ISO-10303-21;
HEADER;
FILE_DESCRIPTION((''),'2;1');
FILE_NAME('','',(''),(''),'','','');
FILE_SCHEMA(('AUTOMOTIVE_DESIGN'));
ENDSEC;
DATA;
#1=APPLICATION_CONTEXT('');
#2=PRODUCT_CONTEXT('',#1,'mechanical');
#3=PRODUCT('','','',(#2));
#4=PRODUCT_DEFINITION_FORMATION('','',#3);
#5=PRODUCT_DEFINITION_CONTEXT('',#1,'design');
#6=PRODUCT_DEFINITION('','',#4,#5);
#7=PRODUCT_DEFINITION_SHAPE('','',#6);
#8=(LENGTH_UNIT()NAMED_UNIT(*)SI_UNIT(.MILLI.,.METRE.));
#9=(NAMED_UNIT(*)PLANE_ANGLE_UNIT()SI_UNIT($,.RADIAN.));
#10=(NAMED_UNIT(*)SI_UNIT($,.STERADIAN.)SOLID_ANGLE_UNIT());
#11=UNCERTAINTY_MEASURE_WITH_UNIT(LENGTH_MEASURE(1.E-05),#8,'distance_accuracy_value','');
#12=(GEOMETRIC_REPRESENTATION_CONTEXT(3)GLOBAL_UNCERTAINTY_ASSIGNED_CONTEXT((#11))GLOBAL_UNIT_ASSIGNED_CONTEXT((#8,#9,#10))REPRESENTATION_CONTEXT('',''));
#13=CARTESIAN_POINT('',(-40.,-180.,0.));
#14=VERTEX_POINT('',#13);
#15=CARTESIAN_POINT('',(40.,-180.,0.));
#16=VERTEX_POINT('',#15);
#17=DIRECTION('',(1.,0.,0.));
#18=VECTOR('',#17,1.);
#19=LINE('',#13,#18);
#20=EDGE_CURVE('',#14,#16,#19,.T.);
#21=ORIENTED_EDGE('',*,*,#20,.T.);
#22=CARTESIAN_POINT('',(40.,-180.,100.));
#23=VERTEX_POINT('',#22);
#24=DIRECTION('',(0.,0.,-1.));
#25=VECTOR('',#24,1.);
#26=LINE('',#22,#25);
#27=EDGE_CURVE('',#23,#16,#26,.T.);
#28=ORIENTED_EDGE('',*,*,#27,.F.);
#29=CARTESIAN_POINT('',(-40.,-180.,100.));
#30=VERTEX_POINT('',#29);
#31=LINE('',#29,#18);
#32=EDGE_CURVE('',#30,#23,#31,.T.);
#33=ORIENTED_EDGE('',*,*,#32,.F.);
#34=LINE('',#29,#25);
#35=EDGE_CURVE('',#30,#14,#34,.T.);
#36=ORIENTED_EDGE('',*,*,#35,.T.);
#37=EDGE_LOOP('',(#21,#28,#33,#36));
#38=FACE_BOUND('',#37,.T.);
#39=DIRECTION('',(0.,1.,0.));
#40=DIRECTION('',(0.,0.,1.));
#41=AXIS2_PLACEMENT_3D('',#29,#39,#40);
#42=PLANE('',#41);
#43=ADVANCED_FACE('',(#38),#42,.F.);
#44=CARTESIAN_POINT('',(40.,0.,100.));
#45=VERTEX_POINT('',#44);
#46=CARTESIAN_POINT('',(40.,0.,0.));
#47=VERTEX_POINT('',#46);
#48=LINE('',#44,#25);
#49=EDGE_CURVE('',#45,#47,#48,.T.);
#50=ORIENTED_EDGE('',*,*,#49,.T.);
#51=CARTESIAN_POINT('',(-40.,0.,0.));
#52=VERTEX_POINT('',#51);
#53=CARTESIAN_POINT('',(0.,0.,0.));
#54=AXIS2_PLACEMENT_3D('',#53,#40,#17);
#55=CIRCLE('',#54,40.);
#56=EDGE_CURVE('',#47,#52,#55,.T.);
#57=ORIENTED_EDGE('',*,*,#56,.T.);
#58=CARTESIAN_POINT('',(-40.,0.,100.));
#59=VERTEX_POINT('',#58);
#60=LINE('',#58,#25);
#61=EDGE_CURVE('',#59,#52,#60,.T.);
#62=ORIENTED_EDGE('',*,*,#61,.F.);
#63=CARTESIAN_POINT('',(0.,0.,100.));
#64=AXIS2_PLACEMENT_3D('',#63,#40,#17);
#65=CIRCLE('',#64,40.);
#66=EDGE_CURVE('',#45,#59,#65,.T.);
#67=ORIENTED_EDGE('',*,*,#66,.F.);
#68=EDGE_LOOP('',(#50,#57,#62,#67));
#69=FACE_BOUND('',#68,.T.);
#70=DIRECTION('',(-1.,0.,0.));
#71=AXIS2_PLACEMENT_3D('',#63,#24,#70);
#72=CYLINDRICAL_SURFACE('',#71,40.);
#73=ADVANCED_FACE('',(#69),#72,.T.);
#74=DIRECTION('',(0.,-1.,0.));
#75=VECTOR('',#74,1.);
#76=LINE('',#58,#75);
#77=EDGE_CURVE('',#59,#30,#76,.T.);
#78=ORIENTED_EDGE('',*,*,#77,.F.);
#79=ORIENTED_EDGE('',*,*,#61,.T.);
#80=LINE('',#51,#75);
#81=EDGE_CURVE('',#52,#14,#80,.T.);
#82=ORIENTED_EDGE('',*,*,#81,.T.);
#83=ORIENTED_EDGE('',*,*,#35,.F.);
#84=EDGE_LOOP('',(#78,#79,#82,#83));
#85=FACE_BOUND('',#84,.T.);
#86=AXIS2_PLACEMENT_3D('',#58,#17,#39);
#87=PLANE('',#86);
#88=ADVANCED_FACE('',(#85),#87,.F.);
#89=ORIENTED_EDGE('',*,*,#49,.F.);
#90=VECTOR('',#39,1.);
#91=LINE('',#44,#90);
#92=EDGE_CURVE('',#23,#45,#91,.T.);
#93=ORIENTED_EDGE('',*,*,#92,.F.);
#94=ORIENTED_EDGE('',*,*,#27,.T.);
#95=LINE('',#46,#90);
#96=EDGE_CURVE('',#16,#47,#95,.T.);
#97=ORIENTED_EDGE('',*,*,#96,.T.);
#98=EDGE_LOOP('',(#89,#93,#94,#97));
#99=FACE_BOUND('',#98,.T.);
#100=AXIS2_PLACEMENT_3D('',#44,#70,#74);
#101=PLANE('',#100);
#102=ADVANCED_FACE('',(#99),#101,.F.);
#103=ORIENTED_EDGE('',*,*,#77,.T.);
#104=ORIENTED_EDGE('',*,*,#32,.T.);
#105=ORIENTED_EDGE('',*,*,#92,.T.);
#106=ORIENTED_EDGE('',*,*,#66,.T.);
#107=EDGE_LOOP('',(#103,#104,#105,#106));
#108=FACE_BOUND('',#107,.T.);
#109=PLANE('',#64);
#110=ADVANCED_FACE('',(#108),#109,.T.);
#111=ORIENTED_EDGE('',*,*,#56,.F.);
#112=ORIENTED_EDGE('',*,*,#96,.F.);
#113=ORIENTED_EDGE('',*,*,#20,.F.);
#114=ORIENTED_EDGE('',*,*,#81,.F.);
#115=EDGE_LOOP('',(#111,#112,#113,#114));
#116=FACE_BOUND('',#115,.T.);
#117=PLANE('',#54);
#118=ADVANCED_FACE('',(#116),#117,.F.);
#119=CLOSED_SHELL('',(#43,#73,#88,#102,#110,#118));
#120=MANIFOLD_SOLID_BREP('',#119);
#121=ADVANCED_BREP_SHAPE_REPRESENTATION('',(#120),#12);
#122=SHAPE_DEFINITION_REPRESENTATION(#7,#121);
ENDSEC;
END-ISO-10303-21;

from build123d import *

# Parameters (mm, degrees)
ESTRUSIONE_ESTRUSIONE1_DEPTH = 100


with BuildPart() as part:
    # Schizzo1 → Estrusione-Estrusione1 (new body)
    with BuildSketch(Plane.XY):
        with BuildLine():
            Line((-40, 0), (-40, -180))
            Line((-40, -180), (40, -180))
            Line((40, -180), (40, 0))
            ThreePointArc((40, 0), (0, 40), (-40, 0))
        make_face()
    extrude(amount=ESTRUSIONE_ESTRUSIONE1_DEPTH)


solid = part.part
